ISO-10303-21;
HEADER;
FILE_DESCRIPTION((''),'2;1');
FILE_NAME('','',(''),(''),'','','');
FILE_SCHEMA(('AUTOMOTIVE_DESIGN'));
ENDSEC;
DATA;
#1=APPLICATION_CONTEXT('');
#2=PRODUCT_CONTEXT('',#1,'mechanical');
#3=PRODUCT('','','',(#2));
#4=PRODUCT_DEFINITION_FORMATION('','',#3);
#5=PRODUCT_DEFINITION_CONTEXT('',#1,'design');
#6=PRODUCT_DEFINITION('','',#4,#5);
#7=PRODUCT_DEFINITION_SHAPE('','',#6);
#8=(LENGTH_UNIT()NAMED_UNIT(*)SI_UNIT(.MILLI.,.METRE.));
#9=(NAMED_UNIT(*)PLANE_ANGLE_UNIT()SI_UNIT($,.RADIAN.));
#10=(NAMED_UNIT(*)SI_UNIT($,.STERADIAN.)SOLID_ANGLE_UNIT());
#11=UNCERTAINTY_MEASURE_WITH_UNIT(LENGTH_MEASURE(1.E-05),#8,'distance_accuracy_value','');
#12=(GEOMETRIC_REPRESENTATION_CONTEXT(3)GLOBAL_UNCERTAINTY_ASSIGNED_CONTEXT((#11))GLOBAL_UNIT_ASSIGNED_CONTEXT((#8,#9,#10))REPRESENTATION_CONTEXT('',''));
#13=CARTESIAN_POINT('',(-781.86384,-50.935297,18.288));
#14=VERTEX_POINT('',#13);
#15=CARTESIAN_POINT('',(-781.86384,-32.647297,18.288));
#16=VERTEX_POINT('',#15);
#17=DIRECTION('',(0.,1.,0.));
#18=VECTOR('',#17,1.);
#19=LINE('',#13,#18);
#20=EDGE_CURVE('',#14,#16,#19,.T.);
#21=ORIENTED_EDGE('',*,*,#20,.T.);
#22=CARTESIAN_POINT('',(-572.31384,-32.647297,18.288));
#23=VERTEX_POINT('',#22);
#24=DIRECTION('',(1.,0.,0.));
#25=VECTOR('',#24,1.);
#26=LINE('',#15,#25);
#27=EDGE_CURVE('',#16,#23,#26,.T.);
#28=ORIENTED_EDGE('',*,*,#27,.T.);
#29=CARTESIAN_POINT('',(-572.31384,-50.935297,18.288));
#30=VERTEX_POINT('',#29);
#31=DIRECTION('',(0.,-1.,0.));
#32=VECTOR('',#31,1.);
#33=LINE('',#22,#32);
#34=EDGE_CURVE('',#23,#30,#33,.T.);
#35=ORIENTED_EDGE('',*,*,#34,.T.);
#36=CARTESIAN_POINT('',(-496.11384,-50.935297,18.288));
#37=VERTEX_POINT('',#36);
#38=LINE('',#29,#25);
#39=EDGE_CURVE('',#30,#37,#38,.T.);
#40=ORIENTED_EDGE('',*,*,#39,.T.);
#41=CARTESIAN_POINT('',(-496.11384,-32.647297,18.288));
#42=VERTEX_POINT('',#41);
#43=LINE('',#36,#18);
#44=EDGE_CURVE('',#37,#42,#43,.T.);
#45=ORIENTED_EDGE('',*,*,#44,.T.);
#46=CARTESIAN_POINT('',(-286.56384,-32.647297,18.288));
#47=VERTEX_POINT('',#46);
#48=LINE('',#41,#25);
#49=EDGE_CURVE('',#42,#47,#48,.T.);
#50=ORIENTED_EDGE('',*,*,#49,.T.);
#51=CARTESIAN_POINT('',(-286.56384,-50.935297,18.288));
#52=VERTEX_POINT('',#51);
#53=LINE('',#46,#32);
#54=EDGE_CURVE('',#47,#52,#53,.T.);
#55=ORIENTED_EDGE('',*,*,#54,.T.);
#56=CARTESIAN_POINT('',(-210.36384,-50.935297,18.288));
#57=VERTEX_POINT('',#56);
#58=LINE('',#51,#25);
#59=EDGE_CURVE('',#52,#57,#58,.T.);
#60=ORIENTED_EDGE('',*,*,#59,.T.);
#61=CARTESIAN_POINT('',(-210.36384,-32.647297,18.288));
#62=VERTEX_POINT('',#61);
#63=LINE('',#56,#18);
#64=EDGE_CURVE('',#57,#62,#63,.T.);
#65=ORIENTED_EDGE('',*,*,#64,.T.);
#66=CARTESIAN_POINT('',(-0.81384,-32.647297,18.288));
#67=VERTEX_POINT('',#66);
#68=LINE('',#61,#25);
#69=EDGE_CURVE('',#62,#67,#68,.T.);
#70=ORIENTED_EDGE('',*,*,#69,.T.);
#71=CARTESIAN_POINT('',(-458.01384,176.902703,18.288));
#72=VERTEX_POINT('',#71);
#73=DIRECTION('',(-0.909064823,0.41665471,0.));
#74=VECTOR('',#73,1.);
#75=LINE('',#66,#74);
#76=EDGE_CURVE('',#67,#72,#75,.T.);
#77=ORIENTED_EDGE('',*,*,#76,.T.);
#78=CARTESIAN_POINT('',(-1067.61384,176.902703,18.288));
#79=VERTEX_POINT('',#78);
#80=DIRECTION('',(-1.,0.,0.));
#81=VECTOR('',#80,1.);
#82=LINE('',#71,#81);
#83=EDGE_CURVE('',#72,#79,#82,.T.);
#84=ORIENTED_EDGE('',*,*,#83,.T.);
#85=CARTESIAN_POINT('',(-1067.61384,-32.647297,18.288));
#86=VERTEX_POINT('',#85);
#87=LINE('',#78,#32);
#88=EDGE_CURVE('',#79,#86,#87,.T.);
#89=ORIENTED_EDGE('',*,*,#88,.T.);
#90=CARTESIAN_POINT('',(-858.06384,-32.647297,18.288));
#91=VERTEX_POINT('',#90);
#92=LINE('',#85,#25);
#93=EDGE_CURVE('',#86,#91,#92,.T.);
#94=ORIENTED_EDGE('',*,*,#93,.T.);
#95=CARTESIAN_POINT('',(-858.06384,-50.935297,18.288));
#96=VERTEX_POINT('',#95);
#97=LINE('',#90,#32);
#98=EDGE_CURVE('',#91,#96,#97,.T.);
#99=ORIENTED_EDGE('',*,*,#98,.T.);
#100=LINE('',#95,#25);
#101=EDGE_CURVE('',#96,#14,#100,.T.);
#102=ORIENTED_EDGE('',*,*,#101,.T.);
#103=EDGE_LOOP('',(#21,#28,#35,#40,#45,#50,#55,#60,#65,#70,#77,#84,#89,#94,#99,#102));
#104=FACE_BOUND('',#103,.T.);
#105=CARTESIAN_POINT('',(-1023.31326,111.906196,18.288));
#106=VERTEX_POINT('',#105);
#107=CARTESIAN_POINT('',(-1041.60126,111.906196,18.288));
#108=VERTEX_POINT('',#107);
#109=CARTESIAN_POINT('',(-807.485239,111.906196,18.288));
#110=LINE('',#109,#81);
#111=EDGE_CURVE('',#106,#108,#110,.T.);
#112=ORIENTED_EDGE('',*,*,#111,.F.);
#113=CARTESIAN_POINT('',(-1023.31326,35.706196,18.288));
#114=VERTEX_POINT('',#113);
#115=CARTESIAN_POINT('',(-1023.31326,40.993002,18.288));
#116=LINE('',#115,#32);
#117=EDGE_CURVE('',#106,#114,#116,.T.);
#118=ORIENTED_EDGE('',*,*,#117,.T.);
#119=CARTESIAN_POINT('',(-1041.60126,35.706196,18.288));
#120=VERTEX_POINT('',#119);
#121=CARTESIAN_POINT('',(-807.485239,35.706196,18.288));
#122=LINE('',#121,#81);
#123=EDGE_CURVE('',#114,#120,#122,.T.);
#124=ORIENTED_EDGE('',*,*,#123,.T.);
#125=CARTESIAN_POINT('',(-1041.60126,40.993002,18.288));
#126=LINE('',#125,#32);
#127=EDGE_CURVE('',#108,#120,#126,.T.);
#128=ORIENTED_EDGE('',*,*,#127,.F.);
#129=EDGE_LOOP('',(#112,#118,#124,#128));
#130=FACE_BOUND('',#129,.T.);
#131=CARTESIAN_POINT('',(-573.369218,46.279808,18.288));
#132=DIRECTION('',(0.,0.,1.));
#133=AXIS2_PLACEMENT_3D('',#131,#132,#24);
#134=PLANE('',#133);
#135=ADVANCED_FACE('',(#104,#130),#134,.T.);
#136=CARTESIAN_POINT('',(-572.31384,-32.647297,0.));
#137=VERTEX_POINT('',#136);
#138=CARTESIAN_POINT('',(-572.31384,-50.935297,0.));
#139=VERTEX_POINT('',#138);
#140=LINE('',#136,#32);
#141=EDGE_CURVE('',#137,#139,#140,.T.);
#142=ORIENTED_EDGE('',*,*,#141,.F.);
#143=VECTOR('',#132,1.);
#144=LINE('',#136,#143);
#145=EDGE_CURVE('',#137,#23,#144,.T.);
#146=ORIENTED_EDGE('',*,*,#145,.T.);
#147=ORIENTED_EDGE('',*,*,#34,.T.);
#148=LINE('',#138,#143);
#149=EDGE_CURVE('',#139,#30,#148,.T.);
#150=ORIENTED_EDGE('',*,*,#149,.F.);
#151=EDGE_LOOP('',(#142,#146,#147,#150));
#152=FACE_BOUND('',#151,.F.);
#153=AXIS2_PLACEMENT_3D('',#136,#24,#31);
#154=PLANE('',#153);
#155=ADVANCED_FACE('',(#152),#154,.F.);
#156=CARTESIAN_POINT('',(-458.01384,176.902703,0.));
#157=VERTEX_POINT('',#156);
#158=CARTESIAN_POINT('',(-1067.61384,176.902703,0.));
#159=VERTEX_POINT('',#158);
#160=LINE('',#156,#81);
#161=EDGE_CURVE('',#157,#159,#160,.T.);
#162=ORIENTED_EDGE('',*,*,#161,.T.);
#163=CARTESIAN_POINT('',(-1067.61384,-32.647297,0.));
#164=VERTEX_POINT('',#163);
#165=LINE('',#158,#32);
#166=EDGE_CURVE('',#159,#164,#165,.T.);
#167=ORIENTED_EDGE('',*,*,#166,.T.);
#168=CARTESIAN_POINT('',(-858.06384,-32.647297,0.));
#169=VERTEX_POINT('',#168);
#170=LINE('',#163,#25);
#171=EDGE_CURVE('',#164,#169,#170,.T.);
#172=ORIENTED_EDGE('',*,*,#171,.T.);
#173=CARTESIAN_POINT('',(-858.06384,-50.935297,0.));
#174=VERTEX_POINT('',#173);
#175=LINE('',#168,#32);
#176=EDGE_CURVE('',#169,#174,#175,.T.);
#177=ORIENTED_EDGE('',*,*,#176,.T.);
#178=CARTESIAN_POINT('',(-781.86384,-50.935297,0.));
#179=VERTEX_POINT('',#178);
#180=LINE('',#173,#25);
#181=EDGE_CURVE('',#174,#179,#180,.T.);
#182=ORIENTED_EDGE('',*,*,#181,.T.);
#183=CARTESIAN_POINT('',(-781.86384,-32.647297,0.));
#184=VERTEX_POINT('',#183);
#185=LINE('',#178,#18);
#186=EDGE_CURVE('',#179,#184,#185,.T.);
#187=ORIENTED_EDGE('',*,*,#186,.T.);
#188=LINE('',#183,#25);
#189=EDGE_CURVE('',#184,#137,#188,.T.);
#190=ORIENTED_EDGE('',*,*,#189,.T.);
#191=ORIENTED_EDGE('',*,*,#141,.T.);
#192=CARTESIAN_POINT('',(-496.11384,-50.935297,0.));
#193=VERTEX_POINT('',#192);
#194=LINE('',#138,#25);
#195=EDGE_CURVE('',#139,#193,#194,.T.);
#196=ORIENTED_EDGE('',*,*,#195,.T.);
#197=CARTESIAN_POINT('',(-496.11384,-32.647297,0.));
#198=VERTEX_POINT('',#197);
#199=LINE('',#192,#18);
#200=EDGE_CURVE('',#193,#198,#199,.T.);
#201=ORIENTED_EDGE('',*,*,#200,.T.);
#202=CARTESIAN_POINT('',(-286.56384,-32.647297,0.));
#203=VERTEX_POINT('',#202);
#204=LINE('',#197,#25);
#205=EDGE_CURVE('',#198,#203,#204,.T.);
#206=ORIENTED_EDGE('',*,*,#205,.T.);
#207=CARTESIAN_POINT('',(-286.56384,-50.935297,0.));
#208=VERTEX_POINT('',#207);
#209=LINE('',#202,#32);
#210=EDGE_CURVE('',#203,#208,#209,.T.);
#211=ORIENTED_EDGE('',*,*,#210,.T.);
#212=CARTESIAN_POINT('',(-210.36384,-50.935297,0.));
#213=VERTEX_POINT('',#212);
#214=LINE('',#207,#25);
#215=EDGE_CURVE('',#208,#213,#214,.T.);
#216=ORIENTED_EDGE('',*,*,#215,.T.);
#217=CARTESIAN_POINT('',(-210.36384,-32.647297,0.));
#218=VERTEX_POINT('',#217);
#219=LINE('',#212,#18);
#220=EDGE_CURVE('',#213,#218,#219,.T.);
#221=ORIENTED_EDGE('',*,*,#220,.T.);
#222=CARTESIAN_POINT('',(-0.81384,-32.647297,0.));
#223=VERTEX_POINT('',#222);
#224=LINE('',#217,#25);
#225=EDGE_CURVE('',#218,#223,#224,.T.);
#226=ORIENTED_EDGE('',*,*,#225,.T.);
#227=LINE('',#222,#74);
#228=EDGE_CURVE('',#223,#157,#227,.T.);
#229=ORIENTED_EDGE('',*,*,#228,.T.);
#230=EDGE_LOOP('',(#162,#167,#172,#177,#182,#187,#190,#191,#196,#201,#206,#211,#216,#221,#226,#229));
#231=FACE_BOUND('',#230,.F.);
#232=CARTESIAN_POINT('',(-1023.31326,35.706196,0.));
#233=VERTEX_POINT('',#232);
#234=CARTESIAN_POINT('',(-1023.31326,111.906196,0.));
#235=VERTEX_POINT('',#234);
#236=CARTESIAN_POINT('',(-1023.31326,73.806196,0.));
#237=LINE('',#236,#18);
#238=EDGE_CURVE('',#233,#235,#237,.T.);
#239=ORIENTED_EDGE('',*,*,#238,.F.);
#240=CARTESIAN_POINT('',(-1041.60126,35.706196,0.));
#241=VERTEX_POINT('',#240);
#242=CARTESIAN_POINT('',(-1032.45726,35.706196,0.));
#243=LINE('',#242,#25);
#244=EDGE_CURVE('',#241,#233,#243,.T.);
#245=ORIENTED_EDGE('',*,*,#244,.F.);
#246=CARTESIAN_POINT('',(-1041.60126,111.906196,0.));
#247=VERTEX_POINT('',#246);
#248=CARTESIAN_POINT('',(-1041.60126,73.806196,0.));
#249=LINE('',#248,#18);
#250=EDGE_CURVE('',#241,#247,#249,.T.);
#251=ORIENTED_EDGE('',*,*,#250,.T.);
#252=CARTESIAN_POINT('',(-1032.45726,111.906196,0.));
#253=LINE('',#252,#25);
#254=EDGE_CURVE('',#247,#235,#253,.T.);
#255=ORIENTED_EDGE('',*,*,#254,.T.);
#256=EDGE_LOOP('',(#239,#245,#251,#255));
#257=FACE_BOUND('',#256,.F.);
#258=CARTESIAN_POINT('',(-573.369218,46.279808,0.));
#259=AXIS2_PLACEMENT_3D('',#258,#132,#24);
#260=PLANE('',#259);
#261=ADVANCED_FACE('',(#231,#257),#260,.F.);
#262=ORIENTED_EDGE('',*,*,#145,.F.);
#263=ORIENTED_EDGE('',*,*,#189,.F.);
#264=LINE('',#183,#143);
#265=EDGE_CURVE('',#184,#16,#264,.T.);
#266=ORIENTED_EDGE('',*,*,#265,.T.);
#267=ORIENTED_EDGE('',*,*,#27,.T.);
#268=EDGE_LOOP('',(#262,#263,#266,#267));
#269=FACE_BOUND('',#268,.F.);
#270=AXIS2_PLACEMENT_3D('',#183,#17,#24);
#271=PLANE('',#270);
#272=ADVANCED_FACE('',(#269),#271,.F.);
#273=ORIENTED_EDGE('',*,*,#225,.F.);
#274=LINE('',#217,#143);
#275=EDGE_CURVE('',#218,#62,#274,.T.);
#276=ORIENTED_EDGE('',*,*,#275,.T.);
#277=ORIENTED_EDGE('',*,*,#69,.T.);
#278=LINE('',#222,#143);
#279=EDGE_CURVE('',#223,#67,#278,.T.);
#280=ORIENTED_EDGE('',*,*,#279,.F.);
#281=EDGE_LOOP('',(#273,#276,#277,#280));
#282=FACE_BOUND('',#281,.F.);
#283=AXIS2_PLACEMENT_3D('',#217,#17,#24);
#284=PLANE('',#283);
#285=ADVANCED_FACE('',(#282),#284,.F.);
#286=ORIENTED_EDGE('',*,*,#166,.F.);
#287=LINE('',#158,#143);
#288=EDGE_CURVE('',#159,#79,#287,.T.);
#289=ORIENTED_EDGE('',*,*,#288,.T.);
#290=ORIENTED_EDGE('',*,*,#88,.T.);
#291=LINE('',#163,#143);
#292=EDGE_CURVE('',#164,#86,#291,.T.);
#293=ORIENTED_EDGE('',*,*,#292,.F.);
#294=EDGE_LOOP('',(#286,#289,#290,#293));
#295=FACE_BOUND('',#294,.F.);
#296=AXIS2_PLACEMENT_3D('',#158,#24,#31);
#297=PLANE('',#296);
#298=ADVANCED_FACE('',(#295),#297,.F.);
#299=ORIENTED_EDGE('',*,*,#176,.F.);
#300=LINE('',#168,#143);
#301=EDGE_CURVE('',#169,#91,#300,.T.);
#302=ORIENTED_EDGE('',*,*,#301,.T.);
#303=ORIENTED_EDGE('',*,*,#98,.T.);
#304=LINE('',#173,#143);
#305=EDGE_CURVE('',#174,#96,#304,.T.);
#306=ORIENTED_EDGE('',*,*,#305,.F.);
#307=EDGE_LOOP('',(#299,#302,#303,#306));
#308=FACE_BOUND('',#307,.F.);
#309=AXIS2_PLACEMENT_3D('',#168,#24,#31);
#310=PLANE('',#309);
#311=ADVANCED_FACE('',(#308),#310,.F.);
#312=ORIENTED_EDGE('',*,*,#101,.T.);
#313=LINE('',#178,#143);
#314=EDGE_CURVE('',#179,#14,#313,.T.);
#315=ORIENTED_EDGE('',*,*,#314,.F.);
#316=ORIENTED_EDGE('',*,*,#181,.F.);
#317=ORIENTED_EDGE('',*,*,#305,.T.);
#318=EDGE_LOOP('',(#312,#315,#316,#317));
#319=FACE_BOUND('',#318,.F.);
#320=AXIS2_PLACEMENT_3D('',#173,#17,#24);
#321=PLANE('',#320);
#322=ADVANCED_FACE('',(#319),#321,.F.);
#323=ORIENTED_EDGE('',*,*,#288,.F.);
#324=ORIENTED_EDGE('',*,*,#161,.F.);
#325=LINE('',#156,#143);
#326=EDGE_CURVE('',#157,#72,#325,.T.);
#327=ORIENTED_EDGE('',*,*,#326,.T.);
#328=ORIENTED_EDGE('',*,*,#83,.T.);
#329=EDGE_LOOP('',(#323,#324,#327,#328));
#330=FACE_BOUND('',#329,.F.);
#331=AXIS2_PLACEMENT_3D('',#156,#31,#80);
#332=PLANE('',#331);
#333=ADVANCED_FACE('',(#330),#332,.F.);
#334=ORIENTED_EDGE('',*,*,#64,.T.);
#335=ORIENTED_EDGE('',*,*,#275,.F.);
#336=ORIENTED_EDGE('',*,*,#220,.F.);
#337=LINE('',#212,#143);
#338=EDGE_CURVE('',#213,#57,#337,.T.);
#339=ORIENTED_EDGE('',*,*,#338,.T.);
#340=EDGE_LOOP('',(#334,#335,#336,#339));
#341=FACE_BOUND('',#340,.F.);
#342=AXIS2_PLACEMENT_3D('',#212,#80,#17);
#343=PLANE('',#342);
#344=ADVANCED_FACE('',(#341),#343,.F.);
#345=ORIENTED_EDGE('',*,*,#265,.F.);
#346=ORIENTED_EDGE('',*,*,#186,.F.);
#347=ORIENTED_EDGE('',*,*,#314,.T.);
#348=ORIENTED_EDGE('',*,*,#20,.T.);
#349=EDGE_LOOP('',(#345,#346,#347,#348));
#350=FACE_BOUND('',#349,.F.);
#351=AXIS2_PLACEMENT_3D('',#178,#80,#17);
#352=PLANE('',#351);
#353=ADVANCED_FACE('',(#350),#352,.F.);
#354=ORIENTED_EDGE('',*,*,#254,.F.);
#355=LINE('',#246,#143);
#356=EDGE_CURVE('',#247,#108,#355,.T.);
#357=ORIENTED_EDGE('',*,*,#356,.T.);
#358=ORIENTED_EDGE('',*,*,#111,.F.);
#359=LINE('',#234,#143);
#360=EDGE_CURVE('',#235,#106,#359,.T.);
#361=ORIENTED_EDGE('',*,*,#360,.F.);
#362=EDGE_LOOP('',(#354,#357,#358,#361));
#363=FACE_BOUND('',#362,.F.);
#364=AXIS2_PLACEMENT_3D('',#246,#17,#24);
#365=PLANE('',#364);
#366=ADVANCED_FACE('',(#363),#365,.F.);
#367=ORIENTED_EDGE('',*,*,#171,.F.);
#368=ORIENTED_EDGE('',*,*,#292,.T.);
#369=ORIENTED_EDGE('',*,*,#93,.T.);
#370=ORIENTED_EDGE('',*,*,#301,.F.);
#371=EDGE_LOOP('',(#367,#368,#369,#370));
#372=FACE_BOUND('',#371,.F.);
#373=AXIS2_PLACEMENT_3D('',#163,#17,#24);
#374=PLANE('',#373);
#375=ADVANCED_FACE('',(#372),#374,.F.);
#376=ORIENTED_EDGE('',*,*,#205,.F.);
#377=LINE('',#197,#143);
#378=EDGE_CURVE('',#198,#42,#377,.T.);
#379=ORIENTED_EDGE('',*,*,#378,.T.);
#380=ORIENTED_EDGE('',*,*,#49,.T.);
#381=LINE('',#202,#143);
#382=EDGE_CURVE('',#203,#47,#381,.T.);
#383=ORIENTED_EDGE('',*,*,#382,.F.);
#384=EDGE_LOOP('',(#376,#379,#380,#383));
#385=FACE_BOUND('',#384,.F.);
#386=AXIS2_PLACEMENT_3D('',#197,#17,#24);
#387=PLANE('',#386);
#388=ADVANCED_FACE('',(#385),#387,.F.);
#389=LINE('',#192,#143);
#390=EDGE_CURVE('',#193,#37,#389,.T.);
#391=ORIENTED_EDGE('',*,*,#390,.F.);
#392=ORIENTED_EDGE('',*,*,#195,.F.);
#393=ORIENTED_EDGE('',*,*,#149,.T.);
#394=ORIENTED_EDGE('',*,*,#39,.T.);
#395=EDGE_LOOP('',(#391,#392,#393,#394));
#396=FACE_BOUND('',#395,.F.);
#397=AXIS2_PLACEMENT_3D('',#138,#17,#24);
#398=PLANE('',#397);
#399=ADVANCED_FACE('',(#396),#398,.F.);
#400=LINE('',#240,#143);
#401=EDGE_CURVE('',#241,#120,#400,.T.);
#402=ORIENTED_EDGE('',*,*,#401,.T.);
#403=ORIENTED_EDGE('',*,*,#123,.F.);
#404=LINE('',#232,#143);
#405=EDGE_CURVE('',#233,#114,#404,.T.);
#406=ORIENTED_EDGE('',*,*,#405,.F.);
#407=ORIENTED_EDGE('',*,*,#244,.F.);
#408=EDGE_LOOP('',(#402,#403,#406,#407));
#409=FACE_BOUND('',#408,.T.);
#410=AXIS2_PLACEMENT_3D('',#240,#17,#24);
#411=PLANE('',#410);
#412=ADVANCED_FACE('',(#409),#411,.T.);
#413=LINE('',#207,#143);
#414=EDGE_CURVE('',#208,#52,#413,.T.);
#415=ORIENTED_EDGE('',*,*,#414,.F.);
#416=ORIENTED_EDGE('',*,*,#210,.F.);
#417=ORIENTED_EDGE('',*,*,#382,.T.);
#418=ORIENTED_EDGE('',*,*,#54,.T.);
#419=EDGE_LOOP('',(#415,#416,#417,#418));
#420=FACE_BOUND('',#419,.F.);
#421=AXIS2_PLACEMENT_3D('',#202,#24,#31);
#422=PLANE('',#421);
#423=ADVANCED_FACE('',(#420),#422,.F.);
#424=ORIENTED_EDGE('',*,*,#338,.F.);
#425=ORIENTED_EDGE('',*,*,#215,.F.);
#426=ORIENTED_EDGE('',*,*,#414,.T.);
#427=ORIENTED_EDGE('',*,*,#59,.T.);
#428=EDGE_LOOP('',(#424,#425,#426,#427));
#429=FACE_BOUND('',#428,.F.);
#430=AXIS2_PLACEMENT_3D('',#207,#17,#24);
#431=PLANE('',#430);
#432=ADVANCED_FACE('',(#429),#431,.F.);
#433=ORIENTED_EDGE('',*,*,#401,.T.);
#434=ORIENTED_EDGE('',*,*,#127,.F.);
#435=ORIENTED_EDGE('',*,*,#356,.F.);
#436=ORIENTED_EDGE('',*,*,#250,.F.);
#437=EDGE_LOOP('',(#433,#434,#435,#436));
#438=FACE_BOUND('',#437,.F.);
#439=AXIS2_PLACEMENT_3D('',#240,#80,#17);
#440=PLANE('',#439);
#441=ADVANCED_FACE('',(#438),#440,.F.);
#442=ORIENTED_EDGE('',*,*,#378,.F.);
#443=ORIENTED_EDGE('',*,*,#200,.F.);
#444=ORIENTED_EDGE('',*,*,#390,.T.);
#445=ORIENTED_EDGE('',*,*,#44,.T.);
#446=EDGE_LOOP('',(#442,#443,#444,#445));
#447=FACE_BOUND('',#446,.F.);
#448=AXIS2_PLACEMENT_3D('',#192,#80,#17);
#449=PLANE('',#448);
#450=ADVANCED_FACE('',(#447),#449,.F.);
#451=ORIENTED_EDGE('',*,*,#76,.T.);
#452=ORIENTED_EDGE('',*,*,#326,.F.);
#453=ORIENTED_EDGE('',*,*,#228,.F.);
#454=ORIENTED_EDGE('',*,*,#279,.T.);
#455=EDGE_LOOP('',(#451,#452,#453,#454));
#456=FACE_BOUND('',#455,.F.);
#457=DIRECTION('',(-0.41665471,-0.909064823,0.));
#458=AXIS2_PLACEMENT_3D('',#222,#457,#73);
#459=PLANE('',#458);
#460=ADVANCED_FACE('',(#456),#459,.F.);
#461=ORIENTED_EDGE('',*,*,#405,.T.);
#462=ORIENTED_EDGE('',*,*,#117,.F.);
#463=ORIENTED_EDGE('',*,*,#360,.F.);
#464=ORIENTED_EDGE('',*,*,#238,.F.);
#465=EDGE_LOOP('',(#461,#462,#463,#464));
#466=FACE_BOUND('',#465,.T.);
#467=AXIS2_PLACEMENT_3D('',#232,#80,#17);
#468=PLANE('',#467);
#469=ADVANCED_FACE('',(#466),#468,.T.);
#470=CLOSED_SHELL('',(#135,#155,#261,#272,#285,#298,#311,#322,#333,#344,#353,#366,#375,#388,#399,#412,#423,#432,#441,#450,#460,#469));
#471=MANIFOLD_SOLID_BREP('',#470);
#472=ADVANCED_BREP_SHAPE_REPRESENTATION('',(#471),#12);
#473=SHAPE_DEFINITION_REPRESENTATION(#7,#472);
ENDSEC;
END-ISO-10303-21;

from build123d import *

# Parameters (mm, degrees)
F1_DEPTH = 18.288
F2_W     = 18.288
F2_H     = 76.2
F3_DEPTH = 25.4


with BuildPart() as f1:
    # F0 (on Top) → F1 (new body)
    with BuildSketch(Plane.XY):
        Polygon((-1067.61384, 176.902703), (-1067.61384, -32.647297), (-858.06384, -32.647297), (-858.06384, -50.935297), (-781.86384, -50.935297), (-781.86384, -32.647297), (-572.31384, -32.647297), (-572.31384, -50.935297), (-496.11384, -50.935297), (-496.11384, -32.647297), (-286.56384, -32.647297), (-286.56384, -50.935297), (-210.36384, -50.935297), (-210.36384, -32.647297), (-0.81384, -32.647297), (-458.01384, 176.902703), align=None)
    extrude(amount=F1_DEPTH)

    # F2 (on Top) → F3 (cut)
    with BuildSketch(Plane.XY):
        with Locations((-1032.45726, 73.806196)):
            Rectangle(F2_W, F2_H)
    extrude(amount=F3_DEPTH, mode=Mode.SUBTRACT)


solid = f1.part
